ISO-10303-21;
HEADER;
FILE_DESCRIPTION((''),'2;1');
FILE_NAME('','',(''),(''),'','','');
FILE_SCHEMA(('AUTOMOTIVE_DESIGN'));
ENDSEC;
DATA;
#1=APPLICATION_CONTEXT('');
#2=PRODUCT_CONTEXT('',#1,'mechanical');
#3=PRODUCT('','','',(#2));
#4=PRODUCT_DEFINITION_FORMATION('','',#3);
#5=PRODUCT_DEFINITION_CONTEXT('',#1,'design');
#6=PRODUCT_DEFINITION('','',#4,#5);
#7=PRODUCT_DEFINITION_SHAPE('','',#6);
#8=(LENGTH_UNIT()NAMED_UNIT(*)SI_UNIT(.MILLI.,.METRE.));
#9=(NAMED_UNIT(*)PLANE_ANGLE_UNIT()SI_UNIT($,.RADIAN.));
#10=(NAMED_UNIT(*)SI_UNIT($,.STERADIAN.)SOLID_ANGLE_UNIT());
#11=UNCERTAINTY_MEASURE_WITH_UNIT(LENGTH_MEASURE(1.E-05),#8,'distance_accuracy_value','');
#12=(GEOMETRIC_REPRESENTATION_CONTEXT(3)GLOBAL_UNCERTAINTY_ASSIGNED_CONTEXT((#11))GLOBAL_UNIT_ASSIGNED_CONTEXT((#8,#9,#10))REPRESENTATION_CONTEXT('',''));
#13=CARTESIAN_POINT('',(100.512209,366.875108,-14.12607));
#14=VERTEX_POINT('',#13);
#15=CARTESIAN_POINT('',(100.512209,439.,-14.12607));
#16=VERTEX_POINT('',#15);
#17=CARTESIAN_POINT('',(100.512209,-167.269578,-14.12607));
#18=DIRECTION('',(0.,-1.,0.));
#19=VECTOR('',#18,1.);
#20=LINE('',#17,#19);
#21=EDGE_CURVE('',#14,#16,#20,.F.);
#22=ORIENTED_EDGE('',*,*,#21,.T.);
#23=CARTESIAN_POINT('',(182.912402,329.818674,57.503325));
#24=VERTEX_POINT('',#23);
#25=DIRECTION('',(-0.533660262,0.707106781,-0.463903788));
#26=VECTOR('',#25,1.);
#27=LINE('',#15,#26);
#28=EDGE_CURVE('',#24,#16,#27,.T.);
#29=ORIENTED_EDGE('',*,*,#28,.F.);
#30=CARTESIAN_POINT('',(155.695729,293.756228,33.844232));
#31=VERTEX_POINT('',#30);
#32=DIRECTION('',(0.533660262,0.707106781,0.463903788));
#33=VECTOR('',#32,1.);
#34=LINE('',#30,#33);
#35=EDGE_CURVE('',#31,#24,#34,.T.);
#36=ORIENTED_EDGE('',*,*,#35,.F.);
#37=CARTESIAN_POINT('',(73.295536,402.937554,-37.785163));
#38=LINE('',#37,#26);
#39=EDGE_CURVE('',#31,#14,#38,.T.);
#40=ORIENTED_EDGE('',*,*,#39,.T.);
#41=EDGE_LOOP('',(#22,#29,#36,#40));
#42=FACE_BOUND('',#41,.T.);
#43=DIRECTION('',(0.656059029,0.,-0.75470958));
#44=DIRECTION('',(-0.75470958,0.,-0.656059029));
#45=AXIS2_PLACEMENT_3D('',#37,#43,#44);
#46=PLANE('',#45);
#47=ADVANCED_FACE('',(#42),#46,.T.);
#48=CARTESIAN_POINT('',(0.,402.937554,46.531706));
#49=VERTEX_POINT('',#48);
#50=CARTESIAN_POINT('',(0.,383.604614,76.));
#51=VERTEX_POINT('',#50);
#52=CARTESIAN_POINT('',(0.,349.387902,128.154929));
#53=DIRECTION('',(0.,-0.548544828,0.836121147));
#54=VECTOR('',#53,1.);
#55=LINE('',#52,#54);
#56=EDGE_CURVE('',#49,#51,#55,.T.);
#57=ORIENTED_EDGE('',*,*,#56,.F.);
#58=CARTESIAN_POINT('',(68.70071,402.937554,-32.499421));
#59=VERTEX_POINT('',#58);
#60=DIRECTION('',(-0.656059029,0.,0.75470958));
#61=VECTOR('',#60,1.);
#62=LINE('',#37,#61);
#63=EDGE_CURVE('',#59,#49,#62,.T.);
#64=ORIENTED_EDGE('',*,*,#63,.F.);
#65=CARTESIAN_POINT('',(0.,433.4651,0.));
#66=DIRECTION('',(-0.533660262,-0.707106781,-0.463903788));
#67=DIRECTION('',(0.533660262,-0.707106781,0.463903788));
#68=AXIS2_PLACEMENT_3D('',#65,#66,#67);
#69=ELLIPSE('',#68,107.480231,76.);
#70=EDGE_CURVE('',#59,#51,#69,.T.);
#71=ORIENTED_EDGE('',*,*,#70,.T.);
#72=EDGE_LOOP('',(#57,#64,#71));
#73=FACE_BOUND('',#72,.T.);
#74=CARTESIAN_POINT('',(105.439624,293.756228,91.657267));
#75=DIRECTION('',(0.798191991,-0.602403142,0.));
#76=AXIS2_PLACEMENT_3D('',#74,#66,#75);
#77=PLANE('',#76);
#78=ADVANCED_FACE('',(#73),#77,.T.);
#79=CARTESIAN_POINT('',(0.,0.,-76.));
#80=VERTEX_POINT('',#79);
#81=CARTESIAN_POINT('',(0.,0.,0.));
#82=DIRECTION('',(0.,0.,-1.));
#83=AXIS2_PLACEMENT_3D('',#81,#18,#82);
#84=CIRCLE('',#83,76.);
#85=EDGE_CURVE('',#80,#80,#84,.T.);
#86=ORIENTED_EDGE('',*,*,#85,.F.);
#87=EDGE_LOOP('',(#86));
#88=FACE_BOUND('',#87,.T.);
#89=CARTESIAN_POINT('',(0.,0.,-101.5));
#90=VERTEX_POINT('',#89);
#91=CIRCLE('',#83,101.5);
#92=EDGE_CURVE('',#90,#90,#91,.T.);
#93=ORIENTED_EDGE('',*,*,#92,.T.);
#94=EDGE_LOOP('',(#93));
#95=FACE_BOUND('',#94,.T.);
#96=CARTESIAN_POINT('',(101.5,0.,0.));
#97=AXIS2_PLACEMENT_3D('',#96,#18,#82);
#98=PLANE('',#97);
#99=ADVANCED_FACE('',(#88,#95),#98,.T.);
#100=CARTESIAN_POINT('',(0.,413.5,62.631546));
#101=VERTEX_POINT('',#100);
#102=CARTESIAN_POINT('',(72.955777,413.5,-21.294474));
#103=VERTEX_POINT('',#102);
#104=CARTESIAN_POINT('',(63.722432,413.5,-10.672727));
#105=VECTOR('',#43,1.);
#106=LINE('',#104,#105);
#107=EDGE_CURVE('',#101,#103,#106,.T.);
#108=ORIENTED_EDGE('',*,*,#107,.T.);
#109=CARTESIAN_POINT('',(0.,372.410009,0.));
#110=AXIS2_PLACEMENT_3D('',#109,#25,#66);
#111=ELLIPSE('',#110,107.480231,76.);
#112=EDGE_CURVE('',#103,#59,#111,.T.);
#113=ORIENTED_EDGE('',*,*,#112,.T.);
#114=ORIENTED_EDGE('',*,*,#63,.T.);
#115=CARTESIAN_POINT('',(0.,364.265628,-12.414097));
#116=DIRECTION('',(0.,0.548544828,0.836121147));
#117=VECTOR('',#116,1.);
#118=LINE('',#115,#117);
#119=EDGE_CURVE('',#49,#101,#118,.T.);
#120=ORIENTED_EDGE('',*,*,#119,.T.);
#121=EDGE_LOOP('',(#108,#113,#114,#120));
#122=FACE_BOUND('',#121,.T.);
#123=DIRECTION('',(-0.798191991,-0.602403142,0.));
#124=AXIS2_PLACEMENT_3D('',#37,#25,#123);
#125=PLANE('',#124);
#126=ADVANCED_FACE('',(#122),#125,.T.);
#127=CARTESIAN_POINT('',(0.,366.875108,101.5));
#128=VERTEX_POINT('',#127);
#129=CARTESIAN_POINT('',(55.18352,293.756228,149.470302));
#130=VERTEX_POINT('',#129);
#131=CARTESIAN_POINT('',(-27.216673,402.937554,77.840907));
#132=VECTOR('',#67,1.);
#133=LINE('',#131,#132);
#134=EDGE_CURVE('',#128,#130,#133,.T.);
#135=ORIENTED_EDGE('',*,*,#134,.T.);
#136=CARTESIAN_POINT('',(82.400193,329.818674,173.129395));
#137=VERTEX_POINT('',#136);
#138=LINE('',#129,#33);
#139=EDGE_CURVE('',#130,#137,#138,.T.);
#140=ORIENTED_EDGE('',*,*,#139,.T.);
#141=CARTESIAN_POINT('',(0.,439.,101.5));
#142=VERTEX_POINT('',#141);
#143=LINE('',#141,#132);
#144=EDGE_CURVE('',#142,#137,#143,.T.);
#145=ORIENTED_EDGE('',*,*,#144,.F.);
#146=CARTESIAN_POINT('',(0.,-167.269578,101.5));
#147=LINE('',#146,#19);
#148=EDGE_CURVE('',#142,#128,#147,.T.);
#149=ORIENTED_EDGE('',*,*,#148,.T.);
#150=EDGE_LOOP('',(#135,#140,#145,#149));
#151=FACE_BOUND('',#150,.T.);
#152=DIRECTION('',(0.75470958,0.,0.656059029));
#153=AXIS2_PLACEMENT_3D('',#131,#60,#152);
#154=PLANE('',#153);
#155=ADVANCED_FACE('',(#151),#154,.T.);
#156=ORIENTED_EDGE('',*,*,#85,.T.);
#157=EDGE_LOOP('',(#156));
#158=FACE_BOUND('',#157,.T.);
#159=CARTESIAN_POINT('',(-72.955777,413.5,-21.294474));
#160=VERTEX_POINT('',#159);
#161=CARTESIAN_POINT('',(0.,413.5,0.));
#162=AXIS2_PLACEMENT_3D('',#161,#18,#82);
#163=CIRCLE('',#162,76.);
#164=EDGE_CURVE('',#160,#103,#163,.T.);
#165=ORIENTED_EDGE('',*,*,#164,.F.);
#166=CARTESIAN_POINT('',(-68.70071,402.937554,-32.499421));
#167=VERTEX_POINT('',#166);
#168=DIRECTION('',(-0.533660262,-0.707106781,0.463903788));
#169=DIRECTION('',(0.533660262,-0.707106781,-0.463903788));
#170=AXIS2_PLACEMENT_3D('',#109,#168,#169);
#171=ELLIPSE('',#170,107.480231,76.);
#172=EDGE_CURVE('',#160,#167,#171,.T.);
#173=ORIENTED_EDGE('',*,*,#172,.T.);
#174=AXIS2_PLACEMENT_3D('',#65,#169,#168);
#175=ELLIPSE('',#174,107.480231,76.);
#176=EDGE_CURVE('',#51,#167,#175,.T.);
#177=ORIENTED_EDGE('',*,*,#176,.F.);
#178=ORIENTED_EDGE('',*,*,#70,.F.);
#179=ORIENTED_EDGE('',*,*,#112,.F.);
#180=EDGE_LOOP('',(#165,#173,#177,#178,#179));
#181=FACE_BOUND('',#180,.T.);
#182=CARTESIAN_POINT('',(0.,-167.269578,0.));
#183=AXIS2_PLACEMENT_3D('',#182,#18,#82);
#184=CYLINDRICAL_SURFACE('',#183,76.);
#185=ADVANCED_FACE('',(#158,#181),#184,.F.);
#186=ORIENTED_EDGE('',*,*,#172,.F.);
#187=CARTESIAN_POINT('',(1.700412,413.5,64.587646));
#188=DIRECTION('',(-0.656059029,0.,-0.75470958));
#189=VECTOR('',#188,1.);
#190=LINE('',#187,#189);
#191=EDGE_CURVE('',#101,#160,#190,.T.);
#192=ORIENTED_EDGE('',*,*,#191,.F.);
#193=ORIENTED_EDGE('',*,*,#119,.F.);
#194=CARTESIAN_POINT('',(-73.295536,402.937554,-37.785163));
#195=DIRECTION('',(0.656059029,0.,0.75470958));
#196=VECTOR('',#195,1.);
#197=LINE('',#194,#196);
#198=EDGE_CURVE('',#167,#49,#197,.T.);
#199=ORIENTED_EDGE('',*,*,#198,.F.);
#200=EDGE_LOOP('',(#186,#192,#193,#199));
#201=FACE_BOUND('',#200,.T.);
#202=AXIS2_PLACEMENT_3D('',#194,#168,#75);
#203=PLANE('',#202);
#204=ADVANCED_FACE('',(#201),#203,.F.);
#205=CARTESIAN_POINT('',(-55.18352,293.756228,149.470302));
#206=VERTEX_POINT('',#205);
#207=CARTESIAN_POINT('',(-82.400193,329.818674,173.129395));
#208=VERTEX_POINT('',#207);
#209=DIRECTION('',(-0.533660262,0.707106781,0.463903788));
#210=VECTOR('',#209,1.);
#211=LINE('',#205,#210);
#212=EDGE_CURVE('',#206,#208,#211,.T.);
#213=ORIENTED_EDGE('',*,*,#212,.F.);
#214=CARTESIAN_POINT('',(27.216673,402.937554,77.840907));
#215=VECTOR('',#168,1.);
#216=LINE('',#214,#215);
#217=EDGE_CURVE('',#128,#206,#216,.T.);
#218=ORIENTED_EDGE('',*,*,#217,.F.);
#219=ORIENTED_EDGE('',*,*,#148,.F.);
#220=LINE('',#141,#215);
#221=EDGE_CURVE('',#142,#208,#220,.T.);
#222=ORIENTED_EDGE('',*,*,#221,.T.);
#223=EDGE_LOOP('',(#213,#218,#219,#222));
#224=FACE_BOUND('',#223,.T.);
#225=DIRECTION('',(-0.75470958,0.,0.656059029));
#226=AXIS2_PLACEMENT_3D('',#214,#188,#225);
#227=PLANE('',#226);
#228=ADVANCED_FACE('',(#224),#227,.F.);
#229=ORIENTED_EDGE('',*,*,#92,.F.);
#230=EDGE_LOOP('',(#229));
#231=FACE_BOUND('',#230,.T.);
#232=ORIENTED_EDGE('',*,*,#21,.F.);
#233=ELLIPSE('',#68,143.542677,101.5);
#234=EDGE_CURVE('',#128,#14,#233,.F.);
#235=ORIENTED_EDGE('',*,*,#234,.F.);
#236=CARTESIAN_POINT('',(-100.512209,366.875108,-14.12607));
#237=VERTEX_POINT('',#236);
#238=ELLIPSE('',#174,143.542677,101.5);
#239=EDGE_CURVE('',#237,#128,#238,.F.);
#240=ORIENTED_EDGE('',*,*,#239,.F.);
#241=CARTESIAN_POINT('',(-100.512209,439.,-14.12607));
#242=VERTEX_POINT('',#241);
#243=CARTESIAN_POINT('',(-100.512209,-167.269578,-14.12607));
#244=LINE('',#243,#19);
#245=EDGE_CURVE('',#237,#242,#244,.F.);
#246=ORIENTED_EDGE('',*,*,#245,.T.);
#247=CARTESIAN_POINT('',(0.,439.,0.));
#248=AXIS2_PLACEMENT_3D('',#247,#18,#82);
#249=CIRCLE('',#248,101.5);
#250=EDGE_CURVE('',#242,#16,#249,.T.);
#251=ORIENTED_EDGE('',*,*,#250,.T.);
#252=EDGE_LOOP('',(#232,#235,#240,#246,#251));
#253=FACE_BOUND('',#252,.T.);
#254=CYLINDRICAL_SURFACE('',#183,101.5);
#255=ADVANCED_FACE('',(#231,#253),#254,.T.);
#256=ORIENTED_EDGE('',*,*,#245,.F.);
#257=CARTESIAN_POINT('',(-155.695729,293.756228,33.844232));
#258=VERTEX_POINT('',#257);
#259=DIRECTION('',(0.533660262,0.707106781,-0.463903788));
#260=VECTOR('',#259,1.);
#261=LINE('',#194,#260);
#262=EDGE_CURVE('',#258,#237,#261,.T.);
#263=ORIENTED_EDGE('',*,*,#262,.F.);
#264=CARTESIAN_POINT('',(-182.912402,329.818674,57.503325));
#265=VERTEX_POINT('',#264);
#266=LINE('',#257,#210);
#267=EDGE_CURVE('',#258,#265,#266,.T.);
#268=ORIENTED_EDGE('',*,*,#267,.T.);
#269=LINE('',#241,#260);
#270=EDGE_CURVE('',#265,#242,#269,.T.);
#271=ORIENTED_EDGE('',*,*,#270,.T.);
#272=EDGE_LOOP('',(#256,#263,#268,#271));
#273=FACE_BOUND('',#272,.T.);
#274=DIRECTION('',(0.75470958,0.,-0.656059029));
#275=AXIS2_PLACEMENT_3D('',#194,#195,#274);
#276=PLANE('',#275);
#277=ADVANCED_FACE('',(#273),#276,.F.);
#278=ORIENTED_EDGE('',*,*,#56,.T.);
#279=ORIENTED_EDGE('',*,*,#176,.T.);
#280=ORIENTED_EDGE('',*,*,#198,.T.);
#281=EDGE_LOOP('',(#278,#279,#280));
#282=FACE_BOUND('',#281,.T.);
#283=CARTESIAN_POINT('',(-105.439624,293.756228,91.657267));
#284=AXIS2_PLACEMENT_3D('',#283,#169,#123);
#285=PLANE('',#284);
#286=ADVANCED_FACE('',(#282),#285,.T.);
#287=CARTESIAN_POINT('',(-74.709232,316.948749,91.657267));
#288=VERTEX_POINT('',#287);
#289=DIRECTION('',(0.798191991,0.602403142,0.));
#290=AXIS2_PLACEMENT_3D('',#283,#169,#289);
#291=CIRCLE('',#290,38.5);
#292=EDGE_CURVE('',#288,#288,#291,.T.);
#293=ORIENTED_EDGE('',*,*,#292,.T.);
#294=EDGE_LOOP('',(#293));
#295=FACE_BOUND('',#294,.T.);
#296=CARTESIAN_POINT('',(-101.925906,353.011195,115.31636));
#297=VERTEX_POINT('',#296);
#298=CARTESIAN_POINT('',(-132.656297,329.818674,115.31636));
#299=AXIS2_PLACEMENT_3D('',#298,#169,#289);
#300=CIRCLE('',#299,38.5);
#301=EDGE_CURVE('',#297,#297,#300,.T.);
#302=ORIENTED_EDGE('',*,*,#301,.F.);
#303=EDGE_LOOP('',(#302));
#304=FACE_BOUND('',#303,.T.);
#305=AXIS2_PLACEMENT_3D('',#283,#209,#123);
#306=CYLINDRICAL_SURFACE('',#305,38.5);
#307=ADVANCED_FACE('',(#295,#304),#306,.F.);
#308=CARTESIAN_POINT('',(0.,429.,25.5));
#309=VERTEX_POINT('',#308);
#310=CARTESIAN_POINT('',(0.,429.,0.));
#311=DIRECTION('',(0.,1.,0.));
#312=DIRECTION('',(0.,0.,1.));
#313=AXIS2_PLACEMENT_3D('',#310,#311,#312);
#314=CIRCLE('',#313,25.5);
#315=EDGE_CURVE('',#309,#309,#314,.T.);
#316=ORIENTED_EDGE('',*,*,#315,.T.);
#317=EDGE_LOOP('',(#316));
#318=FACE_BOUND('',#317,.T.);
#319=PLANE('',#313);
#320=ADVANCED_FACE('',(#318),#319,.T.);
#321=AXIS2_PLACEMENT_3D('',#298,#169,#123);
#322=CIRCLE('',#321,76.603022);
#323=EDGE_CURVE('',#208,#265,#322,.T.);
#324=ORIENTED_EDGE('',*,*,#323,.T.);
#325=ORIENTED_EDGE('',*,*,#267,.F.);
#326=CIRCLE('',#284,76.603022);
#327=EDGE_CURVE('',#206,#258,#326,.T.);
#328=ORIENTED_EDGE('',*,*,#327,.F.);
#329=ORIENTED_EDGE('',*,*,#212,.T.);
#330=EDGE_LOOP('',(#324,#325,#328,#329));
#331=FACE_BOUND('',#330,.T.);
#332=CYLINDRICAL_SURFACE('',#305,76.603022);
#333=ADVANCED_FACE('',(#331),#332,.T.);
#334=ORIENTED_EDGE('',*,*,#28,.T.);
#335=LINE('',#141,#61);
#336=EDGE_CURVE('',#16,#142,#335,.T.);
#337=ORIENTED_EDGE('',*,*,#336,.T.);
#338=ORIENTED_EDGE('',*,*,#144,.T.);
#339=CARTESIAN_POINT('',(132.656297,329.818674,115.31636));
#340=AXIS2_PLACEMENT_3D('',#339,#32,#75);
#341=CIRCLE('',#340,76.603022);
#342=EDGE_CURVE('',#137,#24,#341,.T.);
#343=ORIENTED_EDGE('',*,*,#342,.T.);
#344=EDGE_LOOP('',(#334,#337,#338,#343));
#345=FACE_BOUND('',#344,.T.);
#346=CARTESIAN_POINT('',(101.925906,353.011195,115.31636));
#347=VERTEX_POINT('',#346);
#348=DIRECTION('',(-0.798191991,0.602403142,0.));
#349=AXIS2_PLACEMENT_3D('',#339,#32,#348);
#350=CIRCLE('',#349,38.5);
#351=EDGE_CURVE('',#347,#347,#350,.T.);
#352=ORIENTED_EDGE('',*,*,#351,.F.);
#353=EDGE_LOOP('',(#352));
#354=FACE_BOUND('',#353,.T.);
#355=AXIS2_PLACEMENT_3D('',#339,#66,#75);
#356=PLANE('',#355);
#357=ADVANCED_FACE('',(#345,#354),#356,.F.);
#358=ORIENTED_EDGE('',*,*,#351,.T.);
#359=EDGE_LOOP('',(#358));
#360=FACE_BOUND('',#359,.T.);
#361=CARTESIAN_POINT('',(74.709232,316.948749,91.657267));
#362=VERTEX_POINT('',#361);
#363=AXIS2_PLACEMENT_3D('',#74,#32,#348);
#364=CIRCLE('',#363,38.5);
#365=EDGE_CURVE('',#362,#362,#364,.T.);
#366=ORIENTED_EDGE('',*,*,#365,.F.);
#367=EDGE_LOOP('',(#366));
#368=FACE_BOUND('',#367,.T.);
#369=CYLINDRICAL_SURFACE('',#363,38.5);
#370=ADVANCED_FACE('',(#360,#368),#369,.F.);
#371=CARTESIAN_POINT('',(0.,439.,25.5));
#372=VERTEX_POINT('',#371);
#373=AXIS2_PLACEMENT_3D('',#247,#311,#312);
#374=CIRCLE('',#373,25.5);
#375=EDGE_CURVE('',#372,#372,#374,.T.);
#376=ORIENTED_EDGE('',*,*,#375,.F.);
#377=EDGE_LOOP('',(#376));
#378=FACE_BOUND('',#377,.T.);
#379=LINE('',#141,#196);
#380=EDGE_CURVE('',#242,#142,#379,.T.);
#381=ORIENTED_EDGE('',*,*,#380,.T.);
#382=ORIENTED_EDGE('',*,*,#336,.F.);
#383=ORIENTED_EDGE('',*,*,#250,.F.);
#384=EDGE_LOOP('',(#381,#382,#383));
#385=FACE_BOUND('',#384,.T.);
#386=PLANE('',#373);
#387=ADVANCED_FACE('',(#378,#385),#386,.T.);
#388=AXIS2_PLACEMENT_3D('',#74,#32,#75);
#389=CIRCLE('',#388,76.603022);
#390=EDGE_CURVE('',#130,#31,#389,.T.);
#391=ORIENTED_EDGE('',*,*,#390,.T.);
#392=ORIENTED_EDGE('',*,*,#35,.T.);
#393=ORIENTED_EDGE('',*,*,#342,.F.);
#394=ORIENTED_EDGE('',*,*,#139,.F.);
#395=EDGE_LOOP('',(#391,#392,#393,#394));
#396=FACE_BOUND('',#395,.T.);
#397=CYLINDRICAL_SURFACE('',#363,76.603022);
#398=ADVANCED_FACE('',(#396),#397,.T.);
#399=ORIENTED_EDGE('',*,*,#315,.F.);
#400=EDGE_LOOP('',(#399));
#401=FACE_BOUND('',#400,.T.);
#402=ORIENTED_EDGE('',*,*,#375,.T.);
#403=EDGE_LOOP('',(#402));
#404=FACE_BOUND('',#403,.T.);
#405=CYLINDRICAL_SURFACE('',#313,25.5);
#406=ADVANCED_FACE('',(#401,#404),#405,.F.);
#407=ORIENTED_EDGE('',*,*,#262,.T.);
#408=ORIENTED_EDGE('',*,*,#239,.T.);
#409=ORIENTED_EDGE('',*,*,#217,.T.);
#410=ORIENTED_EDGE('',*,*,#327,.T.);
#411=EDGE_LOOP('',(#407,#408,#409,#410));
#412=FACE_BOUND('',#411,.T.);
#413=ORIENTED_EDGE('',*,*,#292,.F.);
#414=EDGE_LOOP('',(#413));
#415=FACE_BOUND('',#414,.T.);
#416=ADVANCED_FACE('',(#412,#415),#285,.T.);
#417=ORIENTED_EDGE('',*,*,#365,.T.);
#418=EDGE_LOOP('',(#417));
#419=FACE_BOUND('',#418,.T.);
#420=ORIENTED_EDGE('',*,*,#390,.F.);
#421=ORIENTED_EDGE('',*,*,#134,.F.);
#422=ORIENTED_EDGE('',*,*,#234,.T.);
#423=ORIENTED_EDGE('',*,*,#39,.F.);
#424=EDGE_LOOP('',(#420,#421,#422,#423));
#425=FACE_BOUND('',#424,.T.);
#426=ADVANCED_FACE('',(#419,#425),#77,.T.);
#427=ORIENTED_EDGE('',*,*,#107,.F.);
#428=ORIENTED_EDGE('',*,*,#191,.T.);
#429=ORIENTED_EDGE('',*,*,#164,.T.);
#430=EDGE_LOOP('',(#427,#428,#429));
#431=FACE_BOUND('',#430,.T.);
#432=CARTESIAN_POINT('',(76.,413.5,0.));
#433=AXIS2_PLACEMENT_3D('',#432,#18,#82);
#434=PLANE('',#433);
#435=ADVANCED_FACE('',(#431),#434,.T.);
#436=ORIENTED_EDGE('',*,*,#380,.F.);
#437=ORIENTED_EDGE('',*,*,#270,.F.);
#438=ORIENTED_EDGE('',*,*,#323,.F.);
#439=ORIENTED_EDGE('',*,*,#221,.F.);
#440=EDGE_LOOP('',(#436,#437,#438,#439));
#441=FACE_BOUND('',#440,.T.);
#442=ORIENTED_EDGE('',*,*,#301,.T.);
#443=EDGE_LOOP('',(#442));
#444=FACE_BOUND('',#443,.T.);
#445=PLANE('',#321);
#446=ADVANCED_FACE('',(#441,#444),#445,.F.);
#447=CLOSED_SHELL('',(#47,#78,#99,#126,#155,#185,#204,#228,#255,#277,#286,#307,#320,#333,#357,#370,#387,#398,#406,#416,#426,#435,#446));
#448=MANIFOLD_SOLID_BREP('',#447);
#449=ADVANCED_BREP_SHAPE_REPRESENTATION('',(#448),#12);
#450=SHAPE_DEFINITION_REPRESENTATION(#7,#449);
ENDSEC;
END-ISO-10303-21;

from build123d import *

# Parameters (mm, degrees)
SCHIZZO2_R                   = 25.5
TAGLIO_ESTRUSIONE1_DEPTH     = 10
ESTRUSIONE_ESTRUSIONE1_DEPTH = 51
TAGLIO_ESTRUSIONE2_DEPTH     = 51
SCHIZZO6_R                   = 38.5
TAGLIO_ESTRUSIONE3_DEPTH     = 51


with BuildPart() as part:
    # Schizzo1 → Rivoluzione1 (revolve)
    with BuildSketch(Plane.XY):
        Polygon((0, 439), (101.5, 439), (101.5, 0), (76, 0), (76, 413.5), (0, 413.5), align=None)
    revolve(axis=Axis((0, -167.269578169, 0), (0, 1, 0)))

    # Schizzo2 → Taglio-Estrusione1 (cut)
    with BuildSketch(Plane(origin=(0, 439, 0), x_dir=(1, 0, 0), z_dir=(0, 1, 0))):
        Circle(SCHIZZO2_R)
    extrude(amount=-TAGLIO_ESTRUSIONE1_DEPTH, mode=Mode.SUBTRACT)

    # Schizzo4 → Estrusione-Estrusione1 (add)
    with BuildSketch(Plane(origin=(190.786805103, 252.794995721, 165.848439427), x_dir=(0.656059029, 0, -0.75470958), z_dir=(0.533660262, 0.707106781, 0.463903788))):
        with BuildLine():
            Line((-76.603022393, 263.333642433), (-76.603022393, 108.927930028))
            ThreePointArc((-76.603022393, 108.927930028), (0, 32.324907635), (76.603022393, 108.927930028))
            Line((76.603022393, 108.927930028), (76.603022393, 263.333642433))
            Line((76.603022393, 263.333642433), (-76.603022393, 263.333642433))
        make_face()
    estrusione_estrusione1 = extrude(amount=-ESTRUSIONE_ESTRUSIONE1_DEPTH)

    # Schizzo5 → Taglio-Estrusione2 (cut)
    with BuildSketch(Plane(origin=(190.786805103, 252.794995721, 165.848439427), x_dir=(0.845698956, -0.44620463, -0.292736576), z_dir=(0.533660262, 0.707106781, 0.463903788))):
        with BuildLine():
            Line((-9.31111849, 132.840581346), (-106.745545148, 252.622284978))
            Line((-106.745545148, 252.622284978), (-225.596595186, 155.944882946))
            Line((-225.596595186, 155.944882946), (-128.162168528, 36.163179314))
            ThreePointArc((-128.162168528, 36.163179314), (-20.397942493, 25.076355311), (-9.31111849, 132.840581346))
        make_face()
    taglio_estrusione2 = extrude(amount=TAGLIO_ESTRUSIONE2_DEPTH, mode=Mode.SUBTRACT)

    # Schizzo6 → Taglio-Estrusione3 (cut)
    with BuildSketch(Plane(origin=(190.786805103, 252.794995721, 165.848439427), x_dir=(0.845698956, -0.44620463, -0.292736576), z_dir=(0.533660262, 0.707106781, 0.463903788))):
        with Locations((-68.736643509, 84.50188033)):
            Circle(SCHIZZO6_R)
    taglio_estrusione3 = extrude(amount=-TAGLIO_ESTRUSIONE3_DEPTH, mode=Mode.SUBTRACT)

    # Specchia1: Estrusione-Estrusione1, Taglio-Estrusione2, Taglio-Estrusione3 across plane
    add(estrusione_estrusione1.mirror(Plane(origin=(0, 0, 0), x_dir=(0, 0, 1), z_dir=(1, 0, 0))))
    add(taglio_estrusione2.mirror(Plane(origin=(0, 0, 0), x_dir=(0, 0, 1), z_dir=(1, 0, 0))), mode=Mode.SUBTRACT)
    add(taglio_estrusione3.mirror(Plane(origin=(0, 0, 0), x_dir=(0, 0, 1), z_dir=(1, 0, 0))), mode=Mode.SUBTRACT)


solid = part.part
